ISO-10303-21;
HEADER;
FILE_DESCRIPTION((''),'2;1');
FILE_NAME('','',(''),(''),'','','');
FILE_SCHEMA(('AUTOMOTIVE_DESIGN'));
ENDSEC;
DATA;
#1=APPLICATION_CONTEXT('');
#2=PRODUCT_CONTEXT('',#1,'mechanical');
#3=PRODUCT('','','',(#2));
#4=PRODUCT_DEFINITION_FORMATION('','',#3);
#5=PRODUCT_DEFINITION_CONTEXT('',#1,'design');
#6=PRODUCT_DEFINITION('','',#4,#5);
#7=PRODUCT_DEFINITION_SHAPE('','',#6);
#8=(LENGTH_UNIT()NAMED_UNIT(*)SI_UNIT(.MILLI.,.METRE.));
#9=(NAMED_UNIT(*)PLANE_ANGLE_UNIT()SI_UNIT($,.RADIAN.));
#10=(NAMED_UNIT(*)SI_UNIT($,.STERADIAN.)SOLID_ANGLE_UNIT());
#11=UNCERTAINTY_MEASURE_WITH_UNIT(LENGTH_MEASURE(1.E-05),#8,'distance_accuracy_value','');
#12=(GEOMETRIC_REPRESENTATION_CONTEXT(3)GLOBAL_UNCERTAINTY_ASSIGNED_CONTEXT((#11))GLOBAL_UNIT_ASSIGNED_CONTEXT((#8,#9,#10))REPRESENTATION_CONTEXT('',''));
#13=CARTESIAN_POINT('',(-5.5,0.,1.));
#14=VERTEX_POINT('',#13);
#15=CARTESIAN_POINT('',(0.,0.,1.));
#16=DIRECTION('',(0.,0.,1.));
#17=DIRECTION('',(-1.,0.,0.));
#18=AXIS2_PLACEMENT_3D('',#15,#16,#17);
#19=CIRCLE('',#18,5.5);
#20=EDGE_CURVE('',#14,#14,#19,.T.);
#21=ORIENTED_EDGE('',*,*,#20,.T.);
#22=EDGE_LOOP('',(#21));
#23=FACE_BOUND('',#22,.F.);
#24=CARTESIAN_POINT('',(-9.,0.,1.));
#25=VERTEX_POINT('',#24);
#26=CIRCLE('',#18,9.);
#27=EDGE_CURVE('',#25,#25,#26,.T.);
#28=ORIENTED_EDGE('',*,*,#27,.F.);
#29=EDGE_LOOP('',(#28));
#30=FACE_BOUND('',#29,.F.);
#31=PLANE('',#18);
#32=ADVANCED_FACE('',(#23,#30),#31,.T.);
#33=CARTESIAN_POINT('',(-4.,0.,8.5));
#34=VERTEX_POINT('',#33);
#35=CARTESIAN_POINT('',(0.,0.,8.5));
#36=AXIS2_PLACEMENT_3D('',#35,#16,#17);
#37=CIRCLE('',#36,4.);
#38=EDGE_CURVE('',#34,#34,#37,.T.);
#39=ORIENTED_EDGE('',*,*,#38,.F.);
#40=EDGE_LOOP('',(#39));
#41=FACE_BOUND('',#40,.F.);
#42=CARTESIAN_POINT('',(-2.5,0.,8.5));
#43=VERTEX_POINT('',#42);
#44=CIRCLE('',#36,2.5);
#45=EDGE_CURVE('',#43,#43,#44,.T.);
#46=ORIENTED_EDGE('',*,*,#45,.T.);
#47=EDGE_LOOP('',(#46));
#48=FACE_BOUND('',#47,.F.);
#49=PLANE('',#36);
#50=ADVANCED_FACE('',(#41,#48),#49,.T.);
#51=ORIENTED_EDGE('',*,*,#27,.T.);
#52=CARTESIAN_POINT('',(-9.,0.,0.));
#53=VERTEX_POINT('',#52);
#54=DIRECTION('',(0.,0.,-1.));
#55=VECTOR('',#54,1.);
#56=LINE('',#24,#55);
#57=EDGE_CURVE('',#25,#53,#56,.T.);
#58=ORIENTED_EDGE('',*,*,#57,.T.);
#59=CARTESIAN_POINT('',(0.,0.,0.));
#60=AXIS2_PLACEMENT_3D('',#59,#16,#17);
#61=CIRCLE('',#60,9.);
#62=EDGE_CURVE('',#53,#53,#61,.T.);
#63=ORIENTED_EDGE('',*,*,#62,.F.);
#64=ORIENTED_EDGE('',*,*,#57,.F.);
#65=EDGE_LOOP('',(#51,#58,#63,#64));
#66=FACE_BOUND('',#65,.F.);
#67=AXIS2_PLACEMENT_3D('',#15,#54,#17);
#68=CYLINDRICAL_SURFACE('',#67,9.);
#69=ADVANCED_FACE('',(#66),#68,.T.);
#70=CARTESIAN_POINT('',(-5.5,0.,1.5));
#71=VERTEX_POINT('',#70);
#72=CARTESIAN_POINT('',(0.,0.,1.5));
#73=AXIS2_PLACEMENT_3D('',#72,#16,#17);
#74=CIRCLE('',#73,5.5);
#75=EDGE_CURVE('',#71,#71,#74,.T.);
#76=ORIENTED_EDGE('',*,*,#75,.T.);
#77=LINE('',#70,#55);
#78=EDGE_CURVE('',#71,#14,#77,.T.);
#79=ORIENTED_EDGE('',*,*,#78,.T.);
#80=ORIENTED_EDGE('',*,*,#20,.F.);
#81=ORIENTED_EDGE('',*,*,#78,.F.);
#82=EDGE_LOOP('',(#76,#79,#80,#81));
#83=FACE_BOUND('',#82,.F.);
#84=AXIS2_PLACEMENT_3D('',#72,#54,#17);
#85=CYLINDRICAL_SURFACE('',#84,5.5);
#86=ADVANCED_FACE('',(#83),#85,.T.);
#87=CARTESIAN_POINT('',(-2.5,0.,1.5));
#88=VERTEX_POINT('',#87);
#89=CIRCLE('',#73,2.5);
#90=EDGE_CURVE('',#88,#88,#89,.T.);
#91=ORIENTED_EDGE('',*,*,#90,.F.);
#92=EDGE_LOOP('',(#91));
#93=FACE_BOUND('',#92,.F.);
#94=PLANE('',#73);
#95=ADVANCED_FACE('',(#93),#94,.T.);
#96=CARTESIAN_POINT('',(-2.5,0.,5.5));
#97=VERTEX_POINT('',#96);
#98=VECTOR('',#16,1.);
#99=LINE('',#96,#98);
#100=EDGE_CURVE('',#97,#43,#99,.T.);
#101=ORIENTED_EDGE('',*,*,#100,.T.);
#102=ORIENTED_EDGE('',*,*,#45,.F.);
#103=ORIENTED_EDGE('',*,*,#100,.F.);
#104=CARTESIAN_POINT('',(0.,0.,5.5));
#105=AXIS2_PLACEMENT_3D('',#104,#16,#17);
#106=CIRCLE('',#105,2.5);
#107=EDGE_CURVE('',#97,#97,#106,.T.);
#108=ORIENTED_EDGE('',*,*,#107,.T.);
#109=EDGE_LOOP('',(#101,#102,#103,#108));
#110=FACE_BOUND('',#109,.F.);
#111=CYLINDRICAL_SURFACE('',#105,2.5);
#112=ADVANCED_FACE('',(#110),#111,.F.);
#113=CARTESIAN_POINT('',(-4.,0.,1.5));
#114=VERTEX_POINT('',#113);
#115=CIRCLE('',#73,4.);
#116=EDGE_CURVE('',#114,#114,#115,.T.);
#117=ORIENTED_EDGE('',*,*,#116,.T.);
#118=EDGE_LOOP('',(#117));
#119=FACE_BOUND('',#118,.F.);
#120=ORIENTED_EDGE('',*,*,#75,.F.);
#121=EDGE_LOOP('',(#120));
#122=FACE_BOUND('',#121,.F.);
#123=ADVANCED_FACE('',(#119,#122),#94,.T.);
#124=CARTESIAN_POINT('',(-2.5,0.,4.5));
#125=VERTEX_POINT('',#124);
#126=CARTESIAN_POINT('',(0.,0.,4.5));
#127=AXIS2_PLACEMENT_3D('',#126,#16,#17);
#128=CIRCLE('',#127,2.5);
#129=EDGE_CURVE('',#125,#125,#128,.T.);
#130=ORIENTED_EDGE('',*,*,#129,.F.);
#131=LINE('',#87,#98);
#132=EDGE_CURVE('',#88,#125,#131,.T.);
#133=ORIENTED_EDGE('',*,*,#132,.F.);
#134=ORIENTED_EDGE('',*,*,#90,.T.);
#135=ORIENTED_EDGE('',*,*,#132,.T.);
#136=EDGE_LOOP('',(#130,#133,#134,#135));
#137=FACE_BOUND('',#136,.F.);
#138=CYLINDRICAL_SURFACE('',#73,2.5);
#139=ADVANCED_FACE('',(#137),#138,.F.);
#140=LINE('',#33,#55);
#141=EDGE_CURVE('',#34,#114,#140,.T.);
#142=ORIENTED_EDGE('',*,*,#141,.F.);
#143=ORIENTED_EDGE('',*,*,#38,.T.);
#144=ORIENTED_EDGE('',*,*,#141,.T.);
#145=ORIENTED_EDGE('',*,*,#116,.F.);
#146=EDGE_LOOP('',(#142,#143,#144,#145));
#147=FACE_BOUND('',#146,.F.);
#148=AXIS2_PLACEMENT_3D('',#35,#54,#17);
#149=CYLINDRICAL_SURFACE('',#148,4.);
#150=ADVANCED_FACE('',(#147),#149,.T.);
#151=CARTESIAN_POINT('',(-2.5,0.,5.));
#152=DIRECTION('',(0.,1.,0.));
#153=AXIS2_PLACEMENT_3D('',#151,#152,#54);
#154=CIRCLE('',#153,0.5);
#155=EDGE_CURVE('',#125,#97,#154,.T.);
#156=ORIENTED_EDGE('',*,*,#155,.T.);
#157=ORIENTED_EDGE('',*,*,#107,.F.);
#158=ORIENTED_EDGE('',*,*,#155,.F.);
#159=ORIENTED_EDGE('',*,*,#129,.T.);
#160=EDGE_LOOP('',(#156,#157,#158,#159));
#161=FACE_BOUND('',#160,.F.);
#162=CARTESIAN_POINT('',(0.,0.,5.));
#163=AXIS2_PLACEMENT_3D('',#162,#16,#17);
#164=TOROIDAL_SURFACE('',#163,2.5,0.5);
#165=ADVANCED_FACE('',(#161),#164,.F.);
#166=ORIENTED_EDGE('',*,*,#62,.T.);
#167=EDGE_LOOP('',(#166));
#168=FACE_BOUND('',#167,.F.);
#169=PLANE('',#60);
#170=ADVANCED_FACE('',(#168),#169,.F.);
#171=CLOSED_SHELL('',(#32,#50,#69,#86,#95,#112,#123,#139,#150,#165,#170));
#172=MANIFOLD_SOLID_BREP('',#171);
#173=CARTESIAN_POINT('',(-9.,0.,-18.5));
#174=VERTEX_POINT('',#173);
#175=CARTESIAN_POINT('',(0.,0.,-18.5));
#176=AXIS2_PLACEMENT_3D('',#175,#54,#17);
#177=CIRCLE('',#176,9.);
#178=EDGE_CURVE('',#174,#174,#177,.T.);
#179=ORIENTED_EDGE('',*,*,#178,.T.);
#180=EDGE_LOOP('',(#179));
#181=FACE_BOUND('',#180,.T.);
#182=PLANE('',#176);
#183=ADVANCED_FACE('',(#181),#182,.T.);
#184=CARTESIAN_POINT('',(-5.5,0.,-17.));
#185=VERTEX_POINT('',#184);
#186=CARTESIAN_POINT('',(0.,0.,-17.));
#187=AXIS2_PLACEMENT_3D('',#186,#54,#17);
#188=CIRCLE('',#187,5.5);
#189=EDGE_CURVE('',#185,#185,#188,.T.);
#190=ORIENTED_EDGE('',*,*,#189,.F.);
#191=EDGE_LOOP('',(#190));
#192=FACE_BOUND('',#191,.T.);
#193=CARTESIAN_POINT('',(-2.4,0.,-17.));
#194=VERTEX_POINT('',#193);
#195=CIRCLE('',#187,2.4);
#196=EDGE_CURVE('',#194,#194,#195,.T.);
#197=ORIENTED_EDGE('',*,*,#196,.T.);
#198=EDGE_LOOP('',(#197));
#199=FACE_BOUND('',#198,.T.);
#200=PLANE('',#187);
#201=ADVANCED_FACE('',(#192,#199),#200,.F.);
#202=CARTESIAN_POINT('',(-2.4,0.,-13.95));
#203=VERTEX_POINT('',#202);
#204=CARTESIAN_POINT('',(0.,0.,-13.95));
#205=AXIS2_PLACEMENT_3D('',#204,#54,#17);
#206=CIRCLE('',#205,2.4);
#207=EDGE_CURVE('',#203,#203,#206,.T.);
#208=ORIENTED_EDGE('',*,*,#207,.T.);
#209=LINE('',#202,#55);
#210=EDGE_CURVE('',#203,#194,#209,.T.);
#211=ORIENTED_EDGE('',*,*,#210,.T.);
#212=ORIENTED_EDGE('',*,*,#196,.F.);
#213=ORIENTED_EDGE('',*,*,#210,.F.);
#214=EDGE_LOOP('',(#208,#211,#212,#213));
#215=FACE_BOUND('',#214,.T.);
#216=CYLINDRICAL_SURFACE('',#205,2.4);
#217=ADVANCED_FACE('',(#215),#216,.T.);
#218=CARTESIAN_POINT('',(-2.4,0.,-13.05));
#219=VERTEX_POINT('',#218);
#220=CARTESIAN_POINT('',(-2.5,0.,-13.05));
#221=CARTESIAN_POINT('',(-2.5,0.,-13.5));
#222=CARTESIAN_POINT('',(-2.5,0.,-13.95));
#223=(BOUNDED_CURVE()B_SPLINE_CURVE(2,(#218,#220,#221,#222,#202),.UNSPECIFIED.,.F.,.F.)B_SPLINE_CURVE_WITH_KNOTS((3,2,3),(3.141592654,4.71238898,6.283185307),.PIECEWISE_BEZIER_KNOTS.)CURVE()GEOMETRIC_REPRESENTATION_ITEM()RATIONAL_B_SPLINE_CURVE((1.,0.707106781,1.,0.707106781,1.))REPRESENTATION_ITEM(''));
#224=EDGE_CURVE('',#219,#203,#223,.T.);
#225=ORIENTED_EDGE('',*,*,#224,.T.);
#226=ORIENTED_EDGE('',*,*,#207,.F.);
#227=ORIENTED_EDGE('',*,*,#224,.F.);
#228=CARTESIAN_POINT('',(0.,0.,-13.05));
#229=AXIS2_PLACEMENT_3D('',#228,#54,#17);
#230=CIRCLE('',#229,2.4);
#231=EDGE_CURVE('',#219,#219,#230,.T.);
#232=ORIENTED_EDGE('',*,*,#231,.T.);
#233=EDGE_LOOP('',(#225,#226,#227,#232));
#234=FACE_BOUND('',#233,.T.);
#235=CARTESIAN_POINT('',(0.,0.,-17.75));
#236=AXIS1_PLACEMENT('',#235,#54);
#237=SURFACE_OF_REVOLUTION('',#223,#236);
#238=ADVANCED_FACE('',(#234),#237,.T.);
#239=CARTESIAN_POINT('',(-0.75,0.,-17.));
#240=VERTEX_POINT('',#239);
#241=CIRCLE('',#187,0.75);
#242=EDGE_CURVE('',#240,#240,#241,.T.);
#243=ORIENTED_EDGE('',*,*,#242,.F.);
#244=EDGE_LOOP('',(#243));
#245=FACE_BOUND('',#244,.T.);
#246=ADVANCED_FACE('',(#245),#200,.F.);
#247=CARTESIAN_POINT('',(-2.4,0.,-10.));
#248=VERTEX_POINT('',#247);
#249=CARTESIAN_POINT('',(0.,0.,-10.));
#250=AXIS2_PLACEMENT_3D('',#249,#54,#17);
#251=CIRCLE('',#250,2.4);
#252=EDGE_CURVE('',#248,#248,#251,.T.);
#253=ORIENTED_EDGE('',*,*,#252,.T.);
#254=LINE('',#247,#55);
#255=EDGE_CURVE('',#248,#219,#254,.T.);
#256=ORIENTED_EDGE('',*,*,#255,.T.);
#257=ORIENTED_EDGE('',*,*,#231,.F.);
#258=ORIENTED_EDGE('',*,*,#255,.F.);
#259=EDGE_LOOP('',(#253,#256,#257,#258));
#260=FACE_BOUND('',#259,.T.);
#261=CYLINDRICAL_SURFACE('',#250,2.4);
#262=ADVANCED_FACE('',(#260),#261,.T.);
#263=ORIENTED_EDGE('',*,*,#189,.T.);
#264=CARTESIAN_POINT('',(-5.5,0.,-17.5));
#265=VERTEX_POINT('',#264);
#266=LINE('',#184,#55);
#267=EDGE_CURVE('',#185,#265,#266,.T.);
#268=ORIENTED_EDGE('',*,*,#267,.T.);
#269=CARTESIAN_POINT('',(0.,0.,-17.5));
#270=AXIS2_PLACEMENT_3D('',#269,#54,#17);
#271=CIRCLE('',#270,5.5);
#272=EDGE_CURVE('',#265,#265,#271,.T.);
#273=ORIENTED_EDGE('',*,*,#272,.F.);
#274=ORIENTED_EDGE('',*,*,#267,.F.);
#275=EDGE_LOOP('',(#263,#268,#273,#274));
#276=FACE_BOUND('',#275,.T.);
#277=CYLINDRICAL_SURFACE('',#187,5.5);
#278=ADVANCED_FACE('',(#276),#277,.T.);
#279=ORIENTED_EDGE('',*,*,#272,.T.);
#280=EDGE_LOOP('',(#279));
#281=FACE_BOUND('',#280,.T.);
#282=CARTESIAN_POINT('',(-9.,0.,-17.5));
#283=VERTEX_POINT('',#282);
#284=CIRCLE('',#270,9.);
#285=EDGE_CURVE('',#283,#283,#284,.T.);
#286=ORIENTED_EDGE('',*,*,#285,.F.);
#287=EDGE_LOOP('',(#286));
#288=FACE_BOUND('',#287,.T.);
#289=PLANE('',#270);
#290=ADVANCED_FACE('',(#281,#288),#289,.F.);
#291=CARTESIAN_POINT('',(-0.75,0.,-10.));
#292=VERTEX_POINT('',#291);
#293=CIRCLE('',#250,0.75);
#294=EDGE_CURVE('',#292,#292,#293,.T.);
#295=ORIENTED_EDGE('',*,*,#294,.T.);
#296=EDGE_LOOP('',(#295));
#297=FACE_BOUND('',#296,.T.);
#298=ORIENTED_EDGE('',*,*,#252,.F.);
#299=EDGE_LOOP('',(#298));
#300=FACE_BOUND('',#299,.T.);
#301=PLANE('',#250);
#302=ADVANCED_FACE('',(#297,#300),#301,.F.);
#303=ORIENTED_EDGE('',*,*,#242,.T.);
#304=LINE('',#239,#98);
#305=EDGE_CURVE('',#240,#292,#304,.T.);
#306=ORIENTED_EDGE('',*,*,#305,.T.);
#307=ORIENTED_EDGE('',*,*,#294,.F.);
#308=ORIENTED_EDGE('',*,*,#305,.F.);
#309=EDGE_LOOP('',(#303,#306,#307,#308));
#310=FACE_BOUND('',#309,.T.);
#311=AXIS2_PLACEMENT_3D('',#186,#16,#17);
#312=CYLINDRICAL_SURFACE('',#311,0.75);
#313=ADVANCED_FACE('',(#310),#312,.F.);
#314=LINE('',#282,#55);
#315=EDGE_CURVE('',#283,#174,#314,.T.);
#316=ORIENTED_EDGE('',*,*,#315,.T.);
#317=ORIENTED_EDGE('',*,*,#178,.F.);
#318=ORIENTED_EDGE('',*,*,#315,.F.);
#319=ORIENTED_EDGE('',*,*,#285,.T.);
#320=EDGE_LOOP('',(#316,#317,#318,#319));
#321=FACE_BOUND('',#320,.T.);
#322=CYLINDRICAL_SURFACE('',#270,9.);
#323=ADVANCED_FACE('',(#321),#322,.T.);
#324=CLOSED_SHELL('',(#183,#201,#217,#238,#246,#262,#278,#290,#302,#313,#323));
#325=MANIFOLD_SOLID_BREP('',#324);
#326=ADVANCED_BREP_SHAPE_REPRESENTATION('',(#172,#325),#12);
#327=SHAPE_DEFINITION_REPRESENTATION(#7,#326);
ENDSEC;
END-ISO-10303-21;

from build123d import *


with BuildPart() as f1:
    # F0 (on Front) → F1 (revolve)
    with BuildSketch(Plane.XZ):
        with BuildLine():
            Line((-9, 0), (0, 0))
            Line((0, 0), (0, 1.5))
            Line((0, 1.5), (-2.5, 1.5))
            Line((-2.5, 1.5), (-2.5, 4.5))
            ThreePointArc((-2.5, 4.5), (-3, 5), (-2.5, 5.5))
            Line((-2.5, 5.5), (-2.5, 8.5))
            Line((-2.5, 8.5), (-4, 8.5))
            Line((-4, 8.5), (-4, 1.5))
            Line((-4, 1.5), (-5.5, 1.5))
            Line((-5.5, 1.5), (-5.5, 1))
            Line((-5.5, 1), (-9, 1))
            Line((-9, 1), (-9, 0))
        make_face()
    revolve(axis=Axis((0, 0, 0.75), (0, 0, 1)))


with BuildPart() as f2:
    # F0 (on Front) → F2 (revolve)
    with BuildSketch(Plane.XZ):
        with BuildLine():
            Line((-9, -18.5), (0, -18.5))
            Line((0, -18.5), (0, -17))
            Line((0, -17), (-0.75, -17))
            Line((-0.75, -17), (-0.75, -10))
            Line((-0.75, -10), (-2.4, -10))
            Line((-2.4, -10), (-2.4, -13.05))
            add(Edge.make_bspline(
                [(-2.4, -13.05), (-2.5, -13.05), (-2.5, -13.5), (-2.5, -13.95), (-2.4, -13.95)],
                knots=[3.1415926536, 3.1415926536, 3.1415926536, 4.7123889804, 4.7123889804, 6.2831853072, 6.2831853072, 6.2831853072], degree=2, weights=[1, 0.7071067812, 1, 0.7071067812, 1]))
            Line((-2.4, -13.95), (-2.4, -17))
            Line((-2.4, -17), (-5.5, -17))
            Line((-5.5, -17), (-5.5, -17.5))
            Line((-5.5, -17.5), (-9, -17.5))
            Line((-9, -17.5), (-9, -18.5))
        make_face()
    revolve(axis=Axis((0, 0, -17.75), (0, 0, -1)))


solid = Compound([f1.part, f2.part])
